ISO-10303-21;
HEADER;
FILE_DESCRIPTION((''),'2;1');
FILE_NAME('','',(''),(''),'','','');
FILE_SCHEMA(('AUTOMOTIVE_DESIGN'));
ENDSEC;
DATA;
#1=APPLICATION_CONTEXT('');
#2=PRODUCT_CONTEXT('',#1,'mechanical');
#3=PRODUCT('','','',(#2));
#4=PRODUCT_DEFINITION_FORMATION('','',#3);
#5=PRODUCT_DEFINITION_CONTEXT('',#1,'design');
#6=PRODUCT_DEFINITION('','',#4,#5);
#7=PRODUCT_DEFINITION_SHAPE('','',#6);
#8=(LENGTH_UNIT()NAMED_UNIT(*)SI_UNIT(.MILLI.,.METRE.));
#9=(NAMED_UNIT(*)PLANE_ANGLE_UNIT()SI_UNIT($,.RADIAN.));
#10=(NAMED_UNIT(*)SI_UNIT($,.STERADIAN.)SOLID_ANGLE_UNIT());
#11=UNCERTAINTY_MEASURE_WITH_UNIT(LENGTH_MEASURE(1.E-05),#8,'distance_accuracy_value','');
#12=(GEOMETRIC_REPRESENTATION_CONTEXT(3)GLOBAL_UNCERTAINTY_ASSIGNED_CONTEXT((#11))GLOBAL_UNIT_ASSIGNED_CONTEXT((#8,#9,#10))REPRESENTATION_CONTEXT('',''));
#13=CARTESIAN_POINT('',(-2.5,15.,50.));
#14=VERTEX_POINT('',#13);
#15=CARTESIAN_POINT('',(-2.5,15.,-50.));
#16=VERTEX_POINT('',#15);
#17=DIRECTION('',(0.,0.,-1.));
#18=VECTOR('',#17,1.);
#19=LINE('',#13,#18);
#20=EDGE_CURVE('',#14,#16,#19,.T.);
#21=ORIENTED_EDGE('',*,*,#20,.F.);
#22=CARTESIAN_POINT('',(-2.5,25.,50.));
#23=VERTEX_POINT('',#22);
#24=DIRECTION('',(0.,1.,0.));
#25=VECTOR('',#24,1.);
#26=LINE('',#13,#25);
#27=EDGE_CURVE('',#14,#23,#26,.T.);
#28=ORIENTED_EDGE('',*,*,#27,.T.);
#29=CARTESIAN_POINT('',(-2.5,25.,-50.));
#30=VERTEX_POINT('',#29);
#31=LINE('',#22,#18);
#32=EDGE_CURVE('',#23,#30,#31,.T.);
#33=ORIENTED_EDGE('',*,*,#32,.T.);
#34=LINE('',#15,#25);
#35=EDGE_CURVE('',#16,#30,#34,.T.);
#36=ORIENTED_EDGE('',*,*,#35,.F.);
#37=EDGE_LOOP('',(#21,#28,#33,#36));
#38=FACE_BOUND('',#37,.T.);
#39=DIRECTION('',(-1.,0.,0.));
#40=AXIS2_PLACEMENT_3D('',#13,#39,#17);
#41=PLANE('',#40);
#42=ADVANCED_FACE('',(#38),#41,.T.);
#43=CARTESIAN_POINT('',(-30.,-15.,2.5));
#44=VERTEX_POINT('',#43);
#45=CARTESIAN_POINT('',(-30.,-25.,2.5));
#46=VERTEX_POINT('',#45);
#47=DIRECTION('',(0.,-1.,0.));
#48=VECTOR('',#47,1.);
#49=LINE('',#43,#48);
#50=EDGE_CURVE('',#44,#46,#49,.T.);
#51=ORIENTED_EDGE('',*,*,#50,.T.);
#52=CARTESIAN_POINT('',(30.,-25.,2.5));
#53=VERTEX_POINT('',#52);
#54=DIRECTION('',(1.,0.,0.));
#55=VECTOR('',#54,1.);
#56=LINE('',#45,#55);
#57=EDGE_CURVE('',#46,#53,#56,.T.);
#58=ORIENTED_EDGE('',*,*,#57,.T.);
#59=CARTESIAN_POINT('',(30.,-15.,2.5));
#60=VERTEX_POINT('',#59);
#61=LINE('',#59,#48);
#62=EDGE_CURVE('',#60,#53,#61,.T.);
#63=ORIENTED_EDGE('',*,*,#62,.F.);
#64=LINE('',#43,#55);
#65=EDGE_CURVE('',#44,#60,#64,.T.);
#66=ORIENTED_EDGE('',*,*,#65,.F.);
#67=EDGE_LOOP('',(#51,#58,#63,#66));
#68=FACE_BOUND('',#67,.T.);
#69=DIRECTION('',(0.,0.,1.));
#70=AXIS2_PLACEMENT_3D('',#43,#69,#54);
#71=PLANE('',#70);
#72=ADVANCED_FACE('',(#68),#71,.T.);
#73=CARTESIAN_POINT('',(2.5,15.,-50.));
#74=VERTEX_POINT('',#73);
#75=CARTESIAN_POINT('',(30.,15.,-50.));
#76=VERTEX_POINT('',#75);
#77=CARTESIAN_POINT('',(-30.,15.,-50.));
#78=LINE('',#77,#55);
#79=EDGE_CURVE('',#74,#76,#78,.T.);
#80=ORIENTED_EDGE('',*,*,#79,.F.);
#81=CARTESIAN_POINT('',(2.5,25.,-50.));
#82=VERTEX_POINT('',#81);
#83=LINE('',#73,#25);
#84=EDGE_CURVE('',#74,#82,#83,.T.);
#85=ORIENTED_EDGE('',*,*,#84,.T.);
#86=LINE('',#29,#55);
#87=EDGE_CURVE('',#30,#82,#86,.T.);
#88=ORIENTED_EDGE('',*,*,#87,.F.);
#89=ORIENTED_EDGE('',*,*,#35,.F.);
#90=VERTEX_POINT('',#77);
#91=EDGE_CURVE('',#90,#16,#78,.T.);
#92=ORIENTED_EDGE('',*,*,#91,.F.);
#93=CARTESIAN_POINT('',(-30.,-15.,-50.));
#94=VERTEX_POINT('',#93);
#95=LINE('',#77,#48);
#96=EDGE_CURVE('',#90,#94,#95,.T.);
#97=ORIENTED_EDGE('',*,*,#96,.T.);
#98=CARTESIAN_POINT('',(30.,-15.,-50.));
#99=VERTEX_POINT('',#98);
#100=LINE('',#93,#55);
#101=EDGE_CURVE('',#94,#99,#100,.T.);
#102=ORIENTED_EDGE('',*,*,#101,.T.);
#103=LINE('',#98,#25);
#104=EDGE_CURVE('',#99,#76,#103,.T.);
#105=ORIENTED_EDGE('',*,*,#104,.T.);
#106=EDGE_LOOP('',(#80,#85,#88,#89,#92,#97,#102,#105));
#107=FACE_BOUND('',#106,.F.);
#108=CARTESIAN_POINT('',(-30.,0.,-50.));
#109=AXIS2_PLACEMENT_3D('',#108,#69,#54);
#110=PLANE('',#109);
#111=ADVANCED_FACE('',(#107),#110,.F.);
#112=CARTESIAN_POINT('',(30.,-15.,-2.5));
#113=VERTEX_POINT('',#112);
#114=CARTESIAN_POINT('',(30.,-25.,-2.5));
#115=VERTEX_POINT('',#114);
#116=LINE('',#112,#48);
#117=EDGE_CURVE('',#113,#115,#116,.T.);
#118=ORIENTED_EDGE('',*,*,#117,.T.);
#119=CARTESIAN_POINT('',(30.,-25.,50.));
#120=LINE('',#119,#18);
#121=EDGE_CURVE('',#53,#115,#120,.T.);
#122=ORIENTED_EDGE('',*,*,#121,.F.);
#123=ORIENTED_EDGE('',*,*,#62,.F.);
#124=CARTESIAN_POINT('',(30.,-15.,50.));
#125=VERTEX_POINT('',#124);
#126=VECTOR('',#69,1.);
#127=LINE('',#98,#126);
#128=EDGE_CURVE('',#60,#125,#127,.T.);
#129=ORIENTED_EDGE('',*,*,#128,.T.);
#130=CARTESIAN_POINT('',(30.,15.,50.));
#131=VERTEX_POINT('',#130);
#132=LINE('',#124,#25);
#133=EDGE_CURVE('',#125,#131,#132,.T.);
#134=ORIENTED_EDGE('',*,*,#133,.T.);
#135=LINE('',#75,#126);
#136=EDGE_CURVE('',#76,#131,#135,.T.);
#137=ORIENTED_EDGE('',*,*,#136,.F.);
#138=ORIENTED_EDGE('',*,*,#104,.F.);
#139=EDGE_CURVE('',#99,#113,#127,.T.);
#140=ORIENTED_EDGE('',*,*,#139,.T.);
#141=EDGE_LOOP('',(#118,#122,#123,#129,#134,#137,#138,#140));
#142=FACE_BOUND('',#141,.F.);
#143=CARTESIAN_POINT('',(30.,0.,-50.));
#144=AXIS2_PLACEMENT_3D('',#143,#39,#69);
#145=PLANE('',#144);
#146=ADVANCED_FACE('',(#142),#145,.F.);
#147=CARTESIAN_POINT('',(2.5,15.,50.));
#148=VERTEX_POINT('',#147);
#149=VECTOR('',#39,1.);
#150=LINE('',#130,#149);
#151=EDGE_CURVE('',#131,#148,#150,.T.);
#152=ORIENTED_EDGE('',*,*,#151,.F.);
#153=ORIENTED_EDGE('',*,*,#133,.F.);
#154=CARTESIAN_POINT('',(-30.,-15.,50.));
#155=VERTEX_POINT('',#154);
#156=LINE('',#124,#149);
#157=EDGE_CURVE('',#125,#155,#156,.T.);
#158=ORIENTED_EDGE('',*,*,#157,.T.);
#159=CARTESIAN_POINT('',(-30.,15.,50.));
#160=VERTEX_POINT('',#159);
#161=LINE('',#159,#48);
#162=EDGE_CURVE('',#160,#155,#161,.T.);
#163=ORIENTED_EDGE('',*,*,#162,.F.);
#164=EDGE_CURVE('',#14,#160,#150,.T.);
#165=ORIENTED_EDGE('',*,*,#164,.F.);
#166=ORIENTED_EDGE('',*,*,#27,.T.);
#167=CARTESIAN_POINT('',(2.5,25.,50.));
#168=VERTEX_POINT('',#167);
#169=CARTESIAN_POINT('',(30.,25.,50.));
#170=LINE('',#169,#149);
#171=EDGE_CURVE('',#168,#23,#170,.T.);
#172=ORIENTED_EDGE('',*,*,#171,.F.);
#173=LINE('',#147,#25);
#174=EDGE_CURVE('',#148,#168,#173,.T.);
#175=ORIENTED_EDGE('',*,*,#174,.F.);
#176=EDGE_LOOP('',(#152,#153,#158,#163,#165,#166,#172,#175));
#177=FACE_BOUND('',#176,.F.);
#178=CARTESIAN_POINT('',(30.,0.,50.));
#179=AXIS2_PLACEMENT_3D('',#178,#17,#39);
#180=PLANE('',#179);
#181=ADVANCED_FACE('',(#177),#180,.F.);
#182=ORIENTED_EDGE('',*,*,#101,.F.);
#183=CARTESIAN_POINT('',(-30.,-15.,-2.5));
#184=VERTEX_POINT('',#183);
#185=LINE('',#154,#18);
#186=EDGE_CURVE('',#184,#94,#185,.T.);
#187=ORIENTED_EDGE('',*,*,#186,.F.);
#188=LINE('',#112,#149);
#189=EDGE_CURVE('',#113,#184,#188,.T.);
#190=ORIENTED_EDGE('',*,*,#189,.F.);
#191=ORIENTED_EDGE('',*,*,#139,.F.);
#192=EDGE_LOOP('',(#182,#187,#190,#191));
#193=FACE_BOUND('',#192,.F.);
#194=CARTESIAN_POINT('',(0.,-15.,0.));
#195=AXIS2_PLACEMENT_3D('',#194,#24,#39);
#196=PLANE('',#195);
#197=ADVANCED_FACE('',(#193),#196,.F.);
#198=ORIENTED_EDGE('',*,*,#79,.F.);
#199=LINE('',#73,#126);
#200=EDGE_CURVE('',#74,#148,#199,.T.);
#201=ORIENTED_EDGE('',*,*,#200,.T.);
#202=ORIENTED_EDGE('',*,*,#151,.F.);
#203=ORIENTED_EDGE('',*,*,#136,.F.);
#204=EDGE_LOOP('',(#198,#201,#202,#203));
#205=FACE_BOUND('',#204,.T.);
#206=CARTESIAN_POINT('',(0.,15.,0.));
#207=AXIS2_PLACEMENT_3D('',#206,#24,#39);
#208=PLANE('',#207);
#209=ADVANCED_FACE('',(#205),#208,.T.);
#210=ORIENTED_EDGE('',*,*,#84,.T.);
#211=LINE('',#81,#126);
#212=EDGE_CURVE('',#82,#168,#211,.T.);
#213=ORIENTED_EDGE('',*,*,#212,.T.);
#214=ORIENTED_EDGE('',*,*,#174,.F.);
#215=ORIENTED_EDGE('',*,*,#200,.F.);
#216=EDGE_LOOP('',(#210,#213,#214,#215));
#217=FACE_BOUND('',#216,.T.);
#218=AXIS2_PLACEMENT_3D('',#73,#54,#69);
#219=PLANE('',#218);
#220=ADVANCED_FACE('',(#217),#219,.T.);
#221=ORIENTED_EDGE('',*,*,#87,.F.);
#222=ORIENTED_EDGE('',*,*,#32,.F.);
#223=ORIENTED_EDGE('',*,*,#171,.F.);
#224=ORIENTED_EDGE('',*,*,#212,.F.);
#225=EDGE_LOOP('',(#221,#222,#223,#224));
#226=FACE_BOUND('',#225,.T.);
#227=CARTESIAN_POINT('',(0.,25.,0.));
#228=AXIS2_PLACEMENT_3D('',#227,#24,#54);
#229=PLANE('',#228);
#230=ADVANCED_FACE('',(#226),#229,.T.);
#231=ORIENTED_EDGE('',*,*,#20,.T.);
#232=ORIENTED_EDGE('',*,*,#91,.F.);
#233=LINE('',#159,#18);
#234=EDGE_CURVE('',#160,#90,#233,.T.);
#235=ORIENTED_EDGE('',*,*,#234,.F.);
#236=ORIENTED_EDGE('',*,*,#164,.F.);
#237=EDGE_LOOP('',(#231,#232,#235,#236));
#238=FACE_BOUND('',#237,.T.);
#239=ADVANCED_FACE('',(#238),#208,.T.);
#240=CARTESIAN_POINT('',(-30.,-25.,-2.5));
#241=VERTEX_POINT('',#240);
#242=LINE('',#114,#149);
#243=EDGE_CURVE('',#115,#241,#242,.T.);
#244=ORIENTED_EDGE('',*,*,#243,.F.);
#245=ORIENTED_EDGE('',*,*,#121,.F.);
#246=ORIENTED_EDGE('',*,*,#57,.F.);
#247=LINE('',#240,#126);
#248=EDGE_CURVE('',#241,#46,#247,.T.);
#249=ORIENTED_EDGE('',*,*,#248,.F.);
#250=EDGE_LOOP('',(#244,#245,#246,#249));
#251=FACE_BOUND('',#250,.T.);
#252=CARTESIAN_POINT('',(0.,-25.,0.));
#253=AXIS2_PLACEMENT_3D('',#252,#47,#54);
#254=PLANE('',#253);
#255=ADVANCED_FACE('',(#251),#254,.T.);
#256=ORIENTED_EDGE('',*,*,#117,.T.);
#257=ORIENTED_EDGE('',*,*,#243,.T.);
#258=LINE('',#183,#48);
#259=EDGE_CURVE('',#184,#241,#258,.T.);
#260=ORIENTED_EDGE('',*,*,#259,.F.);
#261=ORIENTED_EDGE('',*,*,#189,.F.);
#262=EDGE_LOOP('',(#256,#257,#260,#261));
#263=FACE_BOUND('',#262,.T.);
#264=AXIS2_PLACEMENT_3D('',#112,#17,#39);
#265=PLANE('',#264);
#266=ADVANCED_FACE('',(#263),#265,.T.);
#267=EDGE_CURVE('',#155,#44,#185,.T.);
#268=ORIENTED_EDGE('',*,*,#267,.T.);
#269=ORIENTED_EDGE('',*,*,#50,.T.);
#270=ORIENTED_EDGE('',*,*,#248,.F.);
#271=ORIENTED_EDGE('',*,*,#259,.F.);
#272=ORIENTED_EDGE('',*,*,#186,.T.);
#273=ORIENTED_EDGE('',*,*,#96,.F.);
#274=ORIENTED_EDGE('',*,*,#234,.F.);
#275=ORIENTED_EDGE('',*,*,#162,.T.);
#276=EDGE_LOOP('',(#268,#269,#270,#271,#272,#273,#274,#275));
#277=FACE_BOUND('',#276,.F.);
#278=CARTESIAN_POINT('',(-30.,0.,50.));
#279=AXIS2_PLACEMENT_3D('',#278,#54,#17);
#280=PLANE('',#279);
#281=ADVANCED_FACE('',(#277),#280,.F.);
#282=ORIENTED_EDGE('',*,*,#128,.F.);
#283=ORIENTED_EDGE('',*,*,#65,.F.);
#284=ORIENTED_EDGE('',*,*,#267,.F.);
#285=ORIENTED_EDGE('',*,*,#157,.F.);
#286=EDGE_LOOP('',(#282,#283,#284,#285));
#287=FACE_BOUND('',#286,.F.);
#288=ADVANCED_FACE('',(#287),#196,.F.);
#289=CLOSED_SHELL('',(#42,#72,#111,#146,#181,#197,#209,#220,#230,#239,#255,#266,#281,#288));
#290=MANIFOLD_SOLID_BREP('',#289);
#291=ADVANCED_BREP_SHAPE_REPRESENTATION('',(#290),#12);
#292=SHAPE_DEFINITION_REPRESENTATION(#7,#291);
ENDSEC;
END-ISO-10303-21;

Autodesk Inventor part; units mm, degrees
ref_plane "YZ Plane" through (0, 0, 0) normal (1, 0, 0) x (0, 1, 0)
ref_plane "XZ Plane" through (0, 0, 0) normal (0, 1, 0) x (-1, 0, 0)
ref_plane "XY Plane" through (0, 0, 0) normal (0, 0, 1) x (1, 0, 0)
sketch "草图3" plane through (0, 0, 0) normal (0, 1, 0) x (-1, 0, 0)
  line L0 (-30, 50) -> (30, 50)
  line L1 (30, 50) -> (30, -50)
  line L2 (30, -50) -> (-30, -50)
  line L3 (-30, -50) -> (-30, 50)
  line L4 (-30, 50) -> (30, -50) construction
  line L5 (30, 50) -> (-30, -50) construction
  point P0 (0, 0)
  dimension "d21" = 60
  dimension "d22" = 100
extrude "拉伸3" add sketch "草图3" against normal mid plane 30
sketch "草图4" plane through (0, 15, 0) normal (0, 1, 0) x (1, 0, 0)
  line L0 (-30, -50) -> (-2.5, -50)
  line L1 (30, -50) -> (-30, -50) projected
  line L2 (-2.5, -50) -> (-2.5, 50)
  line L3 (-2.5, 50) -> (2.5, 50)
  line L4 (-30, 50) -> (30, 50) projected
  line L5 (2.5, 50) -> (2.5, -50)
  line L6 (2.5, -50) -> (-2.5, -50)
  point P0 (0, 0)
  point P1 (2.5, -50)
  dimension "d25" = 27.5
  dimension "d31" = 5
extrude "拉伸4" add sketch "草图4" along normal blind 10
sketch "草图5" plane through (0, -15, 0) normal (0, -1, 0) x (1, 0, 0)
  line L0 (30, 50) -> (30, -50) projected
  line L1 (-30, 2.5) -> (30, 2.5)
  line L2 (30, 2.5) -> (30, -2.5)
  line L3 (30, -2.5) -> (-30, -2.5)
  line L4 (-30, -2.5) -> (-30, 2.5)
  line L5 (-30, 2.5) -> (30, -2.5) construction
  line L6 (30, 2.5) -> (-30, -2.5) construction
  point P0 (0, 0)
  dimension "d28" = 5
extrude "拉伸5" add sketch "草图5" along normal blind 10
properties part number "水平滑盖"
